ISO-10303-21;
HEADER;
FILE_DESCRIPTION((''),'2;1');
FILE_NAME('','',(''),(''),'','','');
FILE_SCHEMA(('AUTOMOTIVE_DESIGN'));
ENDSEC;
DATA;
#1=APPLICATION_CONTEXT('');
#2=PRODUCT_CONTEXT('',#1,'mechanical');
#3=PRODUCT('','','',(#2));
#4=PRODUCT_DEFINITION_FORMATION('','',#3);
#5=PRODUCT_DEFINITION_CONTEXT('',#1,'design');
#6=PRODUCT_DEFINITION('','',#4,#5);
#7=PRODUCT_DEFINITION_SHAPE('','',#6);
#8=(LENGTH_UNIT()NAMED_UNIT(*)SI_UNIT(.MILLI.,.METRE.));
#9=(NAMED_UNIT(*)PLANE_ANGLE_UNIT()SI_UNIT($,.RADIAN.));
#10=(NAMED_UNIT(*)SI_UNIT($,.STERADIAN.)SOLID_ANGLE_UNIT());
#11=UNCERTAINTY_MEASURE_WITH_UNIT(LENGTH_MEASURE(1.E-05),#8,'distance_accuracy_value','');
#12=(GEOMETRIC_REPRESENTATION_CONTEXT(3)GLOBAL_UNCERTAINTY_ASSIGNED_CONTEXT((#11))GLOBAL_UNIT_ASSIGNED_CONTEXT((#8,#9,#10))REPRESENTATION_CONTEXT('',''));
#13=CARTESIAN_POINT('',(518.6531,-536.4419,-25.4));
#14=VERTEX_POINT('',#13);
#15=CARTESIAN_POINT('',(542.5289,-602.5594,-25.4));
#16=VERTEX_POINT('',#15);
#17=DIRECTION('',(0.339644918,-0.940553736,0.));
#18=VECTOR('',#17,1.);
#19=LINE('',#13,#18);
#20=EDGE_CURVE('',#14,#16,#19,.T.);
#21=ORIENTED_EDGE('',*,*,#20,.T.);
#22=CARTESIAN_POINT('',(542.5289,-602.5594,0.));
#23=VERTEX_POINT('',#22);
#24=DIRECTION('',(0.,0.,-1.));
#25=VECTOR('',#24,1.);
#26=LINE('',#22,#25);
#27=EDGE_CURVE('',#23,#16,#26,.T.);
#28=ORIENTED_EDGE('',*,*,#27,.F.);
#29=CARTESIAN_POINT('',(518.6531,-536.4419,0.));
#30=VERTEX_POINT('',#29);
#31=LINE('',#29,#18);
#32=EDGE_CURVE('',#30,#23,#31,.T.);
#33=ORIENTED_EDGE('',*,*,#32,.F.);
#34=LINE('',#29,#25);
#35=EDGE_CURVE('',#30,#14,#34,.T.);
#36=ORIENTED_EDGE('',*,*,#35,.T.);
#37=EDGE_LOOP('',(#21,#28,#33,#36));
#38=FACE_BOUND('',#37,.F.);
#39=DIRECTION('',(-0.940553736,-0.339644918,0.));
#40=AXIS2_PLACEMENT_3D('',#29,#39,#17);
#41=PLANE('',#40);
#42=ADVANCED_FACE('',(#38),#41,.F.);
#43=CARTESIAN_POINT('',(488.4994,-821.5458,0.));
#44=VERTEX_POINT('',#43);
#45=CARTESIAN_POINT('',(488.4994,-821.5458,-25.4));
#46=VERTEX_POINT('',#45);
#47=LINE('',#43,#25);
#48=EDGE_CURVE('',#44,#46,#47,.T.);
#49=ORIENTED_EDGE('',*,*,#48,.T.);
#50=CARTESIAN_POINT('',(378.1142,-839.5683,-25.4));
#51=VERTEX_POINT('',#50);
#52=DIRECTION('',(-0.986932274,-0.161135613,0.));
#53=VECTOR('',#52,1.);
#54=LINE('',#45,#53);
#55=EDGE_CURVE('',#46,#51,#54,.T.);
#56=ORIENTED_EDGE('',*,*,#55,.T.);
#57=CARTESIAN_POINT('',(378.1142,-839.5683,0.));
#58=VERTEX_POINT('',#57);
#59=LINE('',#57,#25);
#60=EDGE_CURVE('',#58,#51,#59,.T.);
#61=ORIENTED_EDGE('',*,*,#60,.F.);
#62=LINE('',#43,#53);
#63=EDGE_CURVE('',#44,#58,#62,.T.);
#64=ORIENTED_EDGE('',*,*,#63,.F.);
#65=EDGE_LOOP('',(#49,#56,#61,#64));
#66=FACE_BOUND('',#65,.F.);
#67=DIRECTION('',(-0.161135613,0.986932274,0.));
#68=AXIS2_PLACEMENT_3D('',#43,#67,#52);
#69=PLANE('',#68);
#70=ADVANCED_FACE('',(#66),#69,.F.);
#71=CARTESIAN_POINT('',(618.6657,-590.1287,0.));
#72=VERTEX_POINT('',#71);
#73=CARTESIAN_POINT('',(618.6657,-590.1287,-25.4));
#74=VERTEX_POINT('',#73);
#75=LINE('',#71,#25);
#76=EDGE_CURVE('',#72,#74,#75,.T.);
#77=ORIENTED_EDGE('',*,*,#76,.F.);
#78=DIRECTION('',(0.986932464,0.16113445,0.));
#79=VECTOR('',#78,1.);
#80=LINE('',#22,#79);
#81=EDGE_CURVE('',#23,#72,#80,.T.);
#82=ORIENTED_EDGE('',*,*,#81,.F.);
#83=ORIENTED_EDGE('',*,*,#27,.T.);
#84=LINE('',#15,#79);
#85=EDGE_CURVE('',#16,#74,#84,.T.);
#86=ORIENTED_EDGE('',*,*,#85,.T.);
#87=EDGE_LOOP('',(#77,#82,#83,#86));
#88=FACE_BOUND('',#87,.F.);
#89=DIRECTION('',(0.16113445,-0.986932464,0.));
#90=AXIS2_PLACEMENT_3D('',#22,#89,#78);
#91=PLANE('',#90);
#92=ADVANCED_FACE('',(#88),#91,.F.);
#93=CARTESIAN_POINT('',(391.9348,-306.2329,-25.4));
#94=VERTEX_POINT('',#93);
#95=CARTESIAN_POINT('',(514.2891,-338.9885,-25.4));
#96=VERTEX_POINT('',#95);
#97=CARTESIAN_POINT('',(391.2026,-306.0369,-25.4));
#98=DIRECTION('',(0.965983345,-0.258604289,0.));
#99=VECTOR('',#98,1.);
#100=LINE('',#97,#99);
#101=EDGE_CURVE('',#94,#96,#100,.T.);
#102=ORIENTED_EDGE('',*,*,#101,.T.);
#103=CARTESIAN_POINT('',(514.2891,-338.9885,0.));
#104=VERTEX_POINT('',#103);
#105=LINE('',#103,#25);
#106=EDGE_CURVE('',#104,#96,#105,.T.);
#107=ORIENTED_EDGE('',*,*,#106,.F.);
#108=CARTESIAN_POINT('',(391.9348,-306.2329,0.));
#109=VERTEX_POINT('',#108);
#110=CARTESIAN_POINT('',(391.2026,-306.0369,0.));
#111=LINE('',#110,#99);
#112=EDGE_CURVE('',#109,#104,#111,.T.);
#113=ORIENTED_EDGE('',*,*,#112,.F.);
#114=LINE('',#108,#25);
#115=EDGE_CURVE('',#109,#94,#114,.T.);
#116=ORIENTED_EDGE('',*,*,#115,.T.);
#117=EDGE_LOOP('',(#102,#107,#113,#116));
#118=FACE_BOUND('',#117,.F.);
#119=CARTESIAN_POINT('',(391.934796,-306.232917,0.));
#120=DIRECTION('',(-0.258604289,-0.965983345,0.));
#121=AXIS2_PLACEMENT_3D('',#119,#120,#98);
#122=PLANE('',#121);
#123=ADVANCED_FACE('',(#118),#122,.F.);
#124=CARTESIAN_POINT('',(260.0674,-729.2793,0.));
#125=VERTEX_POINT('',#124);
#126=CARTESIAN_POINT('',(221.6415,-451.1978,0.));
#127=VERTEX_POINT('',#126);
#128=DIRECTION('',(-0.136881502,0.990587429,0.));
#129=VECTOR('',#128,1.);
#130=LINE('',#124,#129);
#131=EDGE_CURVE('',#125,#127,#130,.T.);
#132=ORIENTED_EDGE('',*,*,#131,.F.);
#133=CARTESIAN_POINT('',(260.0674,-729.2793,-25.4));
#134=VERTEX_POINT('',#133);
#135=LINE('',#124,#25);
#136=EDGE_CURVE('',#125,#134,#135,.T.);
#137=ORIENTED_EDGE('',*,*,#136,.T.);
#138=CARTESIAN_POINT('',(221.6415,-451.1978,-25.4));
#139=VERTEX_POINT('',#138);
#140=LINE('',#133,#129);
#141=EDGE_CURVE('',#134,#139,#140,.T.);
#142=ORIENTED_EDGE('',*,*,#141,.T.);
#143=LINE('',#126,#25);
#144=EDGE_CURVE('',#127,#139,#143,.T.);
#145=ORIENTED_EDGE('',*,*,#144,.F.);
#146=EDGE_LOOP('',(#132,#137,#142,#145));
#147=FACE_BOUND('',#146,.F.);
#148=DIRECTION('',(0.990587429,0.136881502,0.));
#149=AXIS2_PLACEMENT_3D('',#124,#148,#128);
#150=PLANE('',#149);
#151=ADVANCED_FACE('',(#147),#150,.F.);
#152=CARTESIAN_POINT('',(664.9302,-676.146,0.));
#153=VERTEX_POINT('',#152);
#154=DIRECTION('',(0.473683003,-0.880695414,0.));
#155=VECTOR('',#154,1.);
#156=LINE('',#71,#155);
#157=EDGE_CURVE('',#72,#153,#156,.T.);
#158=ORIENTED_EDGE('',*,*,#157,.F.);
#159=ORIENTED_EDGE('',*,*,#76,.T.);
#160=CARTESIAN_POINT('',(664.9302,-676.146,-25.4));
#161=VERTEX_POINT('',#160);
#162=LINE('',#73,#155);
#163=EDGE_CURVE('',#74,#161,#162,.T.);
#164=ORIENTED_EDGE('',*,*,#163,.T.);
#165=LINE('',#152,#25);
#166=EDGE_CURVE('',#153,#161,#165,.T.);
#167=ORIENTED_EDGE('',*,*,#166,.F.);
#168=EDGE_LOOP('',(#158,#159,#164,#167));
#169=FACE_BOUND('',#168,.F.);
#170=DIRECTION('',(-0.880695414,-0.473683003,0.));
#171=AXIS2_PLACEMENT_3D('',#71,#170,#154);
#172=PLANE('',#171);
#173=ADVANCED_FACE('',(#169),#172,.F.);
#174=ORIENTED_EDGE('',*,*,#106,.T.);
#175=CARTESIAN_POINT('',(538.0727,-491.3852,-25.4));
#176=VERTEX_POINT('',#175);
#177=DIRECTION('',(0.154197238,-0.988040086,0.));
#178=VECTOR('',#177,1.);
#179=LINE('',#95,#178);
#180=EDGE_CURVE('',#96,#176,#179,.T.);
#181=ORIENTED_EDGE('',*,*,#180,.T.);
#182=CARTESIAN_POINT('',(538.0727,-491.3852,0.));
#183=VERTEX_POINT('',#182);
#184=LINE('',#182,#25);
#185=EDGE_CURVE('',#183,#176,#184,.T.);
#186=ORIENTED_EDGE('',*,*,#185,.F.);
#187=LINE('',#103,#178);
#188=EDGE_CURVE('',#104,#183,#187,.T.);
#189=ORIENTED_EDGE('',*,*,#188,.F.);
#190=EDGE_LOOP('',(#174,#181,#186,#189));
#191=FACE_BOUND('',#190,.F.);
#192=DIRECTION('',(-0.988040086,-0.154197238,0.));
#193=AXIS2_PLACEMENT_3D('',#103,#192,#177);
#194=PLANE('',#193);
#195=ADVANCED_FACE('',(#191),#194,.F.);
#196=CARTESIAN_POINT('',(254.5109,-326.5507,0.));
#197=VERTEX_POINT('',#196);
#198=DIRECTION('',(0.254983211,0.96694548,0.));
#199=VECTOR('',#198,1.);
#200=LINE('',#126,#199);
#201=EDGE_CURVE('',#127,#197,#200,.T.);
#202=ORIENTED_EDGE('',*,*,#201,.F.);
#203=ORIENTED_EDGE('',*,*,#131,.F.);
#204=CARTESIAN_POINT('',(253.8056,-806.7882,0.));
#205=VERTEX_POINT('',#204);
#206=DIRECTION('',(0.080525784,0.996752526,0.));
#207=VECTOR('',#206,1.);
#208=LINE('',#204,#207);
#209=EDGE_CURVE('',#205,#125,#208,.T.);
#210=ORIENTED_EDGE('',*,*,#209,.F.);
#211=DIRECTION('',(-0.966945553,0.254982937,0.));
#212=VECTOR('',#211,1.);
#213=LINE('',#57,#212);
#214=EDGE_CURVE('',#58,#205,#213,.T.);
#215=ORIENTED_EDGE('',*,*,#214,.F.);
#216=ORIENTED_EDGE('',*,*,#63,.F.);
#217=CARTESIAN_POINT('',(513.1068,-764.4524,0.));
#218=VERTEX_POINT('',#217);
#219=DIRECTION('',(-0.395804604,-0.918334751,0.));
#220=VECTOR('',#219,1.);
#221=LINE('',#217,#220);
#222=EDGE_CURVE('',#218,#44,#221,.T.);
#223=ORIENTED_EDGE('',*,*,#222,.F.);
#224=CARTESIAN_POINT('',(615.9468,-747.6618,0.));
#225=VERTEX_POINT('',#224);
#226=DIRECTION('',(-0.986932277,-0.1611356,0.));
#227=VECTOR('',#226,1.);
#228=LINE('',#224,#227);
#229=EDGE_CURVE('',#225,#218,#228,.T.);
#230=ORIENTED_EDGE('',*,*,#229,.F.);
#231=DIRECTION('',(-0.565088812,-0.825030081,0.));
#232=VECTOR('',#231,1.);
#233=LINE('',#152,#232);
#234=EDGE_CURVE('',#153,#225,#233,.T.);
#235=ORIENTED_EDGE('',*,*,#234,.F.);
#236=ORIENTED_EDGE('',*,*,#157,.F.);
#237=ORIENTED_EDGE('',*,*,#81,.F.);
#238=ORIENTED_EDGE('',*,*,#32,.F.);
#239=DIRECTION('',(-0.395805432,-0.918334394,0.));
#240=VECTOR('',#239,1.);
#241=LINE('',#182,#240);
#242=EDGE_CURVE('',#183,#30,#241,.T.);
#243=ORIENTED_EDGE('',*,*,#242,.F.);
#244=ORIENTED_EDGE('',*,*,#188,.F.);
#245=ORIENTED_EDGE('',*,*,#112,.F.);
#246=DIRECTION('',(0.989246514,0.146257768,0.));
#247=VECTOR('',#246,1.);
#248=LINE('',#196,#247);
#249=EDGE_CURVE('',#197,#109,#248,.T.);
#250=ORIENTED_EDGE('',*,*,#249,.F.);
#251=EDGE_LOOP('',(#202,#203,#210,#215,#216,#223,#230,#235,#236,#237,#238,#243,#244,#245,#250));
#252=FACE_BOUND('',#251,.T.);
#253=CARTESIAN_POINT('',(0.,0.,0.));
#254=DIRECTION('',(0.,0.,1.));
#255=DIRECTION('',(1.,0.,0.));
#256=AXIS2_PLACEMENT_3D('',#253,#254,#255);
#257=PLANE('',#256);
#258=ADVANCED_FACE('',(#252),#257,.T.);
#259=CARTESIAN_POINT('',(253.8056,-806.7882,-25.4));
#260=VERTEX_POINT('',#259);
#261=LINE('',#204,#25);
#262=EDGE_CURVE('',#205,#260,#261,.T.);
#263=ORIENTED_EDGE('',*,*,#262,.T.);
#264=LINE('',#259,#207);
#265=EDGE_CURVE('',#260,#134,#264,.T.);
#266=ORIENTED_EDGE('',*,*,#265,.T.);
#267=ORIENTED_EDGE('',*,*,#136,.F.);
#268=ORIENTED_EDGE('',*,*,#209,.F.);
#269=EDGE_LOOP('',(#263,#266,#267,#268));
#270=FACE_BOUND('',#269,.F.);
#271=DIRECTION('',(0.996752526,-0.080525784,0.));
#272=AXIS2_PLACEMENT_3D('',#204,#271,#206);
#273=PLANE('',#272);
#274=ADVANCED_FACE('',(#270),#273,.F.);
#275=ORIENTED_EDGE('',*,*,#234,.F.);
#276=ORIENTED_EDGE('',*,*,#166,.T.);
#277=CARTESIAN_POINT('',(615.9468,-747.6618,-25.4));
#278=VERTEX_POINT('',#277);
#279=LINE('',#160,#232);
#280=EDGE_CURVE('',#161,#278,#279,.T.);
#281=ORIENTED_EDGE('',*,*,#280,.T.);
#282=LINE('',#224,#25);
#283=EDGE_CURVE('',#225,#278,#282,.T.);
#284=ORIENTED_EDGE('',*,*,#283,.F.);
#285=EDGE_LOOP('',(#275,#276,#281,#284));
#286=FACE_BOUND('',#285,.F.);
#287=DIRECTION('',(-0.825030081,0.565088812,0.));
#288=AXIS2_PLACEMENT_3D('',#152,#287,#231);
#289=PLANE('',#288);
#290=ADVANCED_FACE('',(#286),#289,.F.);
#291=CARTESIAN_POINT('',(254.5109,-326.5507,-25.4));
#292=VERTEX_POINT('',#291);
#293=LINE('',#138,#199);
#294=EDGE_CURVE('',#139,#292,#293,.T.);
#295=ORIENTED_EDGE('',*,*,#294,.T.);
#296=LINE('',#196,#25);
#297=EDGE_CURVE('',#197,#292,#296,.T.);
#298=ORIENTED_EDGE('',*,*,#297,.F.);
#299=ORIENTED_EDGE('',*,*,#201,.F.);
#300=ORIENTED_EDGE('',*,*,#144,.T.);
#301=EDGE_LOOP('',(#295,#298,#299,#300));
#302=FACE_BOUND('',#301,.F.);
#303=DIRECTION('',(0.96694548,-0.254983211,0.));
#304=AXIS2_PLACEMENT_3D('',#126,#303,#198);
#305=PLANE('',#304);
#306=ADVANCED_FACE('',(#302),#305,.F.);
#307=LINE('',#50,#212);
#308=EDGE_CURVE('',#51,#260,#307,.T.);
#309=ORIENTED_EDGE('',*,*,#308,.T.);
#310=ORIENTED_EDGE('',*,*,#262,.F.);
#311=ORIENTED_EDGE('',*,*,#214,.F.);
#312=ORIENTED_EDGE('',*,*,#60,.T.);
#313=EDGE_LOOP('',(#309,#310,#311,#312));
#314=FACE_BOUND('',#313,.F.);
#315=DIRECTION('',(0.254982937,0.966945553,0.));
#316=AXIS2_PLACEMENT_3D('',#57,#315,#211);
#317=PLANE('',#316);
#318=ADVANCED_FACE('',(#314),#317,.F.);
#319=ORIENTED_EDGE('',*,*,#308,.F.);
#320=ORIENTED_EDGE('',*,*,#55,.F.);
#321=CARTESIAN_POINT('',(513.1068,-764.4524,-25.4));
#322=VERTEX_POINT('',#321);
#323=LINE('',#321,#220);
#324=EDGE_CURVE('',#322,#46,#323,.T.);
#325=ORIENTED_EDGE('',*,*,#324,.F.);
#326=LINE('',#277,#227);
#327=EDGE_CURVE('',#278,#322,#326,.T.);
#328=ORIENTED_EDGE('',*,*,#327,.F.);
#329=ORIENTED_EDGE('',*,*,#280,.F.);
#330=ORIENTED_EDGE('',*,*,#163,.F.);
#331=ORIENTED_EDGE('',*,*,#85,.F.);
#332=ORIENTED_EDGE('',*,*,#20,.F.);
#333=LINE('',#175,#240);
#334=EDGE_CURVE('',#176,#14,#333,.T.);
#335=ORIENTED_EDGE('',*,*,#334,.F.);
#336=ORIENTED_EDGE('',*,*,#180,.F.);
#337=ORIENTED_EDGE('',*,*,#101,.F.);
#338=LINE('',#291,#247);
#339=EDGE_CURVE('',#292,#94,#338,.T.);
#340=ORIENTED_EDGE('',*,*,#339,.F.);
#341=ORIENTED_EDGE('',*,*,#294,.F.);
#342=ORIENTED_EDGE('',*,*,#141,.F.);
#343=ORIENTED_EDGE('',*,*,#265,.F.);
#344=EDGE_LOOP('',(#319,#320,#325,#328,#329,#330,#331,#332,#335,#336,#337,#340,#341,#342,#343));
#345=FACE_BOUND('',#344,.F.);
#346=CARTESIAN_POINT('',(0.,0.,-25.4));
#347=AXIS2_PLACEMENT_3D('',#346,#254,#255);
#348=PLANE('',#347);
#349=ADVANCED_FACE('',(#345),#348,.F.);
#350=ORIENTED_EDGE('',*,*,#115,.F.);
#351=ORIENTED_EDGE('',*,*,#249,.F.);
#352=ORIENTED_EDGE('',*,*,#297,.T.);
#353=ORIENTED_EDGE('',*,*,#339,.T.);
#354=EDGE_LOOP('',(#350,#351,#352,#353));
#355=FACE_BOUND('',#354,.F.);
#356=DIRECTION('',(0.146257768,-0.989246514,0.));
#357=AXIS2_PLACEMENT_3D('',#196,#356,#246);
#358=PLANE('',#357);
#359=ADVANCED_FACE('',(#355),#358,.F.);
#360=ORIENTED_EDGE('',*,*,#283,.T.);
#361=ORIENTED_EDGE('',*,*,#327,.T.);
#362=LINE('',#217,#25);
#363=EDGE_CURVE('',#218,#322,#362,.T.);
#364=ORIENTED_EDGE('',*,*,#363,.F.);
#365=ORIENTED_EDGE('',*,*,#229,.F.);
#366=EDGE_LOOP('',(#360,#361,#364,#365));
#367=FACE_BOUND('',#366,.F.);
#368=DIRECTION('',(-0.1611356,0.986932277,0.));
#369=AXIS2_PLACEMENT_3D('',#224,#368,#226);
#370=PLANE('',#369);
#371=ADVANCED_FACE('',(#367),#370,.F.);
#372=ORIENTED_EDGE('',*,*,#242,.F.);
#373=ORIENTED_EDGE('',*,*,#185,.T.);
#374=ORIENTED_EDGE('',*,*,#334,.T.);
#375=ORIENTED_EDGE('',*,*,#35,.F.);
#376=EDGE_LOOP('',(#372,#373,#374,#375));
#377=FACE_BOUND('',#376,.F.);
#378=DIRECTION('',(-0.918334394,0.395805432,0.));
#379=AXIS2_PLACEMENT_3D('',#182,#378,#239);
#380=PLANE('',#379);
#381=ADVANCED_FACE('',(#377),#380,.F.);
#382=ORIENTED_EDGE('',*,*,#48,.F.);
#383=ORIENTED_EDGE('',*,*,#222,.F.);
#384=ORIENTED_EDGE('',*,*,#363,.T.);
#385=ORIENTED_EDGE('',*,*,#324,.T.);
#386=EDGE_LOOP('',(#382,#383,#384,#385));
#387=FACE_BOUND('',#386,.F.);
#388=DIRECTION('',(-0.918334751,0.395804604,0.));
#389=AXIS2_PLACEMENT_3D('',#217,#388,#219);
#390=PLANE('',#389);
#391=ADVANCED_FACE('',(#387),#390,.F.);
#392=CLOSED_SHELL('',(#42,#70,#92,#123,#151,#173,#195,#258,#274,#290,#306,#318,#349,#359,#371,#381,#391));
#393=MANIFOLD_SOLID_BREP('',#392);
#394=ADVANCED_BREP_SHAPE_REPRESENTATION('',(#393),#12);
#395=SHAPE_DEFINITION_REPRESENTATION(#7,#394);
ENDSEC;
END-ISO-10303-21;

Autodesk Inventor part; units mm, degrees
ref_plane "YZ Plane" through (0, 0, 0) normal (1, 0, 0) x (0, 1, 0)
ref_plane "XZ Plane" through (0, 0, 0) normal (0, 1, 0) x (-1, 0, 0)
ref_plane "XY Plane" through (0, 0, 0) normal (0, 0, 1) x (1, 0, 0)
sketch "Sketch1" plane through (0, 0, 0) normal (0, 0, 1) x (1, 0, 0)
  line L0 (-7.5953, 9.4076) -> (792.5047, 9.4076) construction
  line L1 (792.5047, 9.4076) -> (792.5047, -1057.3924) construction
  line L2 (792.5047, -1057.3924) -> (-7.5953, -1057.3924) construction
  line L3 (-7.5953, -1057.3924) -> (-7.5953, 9.4076) construction
  line L4 (391.2026, -306.0369) -> (514.2891, -338.9885)
  line L5 (514.2891, -338.9885) -> (538.0727, -491.3852)
  line L6 (538.0727, -491.3852) -> (518.6531, -536.4419)
  line L7 (518.6531, -536.4419) -> (542.5289, -602.5594)
  line L8 (542.5289, -602.5594) -> (618.6657, -590.1287)
  line L9 (618.6657, -590.1287) -> (664.9302, -676.146)
  line L10 (664.9302, -676.146) -> (615.9468, -747.6618)
  line L11 (615.9468, -747.6618) -> (513.1068, -764.4524)
  line L12 (513.1068, -764.4524) -> (488.4994, -821.5458)
  line L13 (488.4994, -821.5458) -> (378.1142, -839.5683)
  line L14 (378.1142, -839.5683) -> (253.8056, -806.7882)
  line L15 (253.8056, -806.7882) -> (260.0674, -729.2793)
  line L16 (260.0674, -729.2793) -> (221.6415, -451.1978)
  line L17 (221.6415, -451.1978) -> (254.5109, -326.5507)
  line L18 (254.5109, -326.5507) -> (391.9348, -306.2329)
  line L19 (221.6415, -306.2329) -> (664.9302, -306.2329)
  line L20 (664.9302, -306.2329) -> (664.9302, -840.0021)
  line L21 (664.9302, -840.0021) -> (221.6415, -840.0021)
  line L22 (221.6415, -840.0021) -> (221.6415, -306.2329)
  point P0 (0, 0)
  dimension "d15" = 533.7692
  dimension "d18" = 443.2887
extrude "Extrusion1" add sketch "Sketch1" against normal blind 25.4 contours L4 L5 L6 L7 L8 L9 L10 L11 L12 L13 L14 L15 L16 L17 L18
properties part number "petti"
